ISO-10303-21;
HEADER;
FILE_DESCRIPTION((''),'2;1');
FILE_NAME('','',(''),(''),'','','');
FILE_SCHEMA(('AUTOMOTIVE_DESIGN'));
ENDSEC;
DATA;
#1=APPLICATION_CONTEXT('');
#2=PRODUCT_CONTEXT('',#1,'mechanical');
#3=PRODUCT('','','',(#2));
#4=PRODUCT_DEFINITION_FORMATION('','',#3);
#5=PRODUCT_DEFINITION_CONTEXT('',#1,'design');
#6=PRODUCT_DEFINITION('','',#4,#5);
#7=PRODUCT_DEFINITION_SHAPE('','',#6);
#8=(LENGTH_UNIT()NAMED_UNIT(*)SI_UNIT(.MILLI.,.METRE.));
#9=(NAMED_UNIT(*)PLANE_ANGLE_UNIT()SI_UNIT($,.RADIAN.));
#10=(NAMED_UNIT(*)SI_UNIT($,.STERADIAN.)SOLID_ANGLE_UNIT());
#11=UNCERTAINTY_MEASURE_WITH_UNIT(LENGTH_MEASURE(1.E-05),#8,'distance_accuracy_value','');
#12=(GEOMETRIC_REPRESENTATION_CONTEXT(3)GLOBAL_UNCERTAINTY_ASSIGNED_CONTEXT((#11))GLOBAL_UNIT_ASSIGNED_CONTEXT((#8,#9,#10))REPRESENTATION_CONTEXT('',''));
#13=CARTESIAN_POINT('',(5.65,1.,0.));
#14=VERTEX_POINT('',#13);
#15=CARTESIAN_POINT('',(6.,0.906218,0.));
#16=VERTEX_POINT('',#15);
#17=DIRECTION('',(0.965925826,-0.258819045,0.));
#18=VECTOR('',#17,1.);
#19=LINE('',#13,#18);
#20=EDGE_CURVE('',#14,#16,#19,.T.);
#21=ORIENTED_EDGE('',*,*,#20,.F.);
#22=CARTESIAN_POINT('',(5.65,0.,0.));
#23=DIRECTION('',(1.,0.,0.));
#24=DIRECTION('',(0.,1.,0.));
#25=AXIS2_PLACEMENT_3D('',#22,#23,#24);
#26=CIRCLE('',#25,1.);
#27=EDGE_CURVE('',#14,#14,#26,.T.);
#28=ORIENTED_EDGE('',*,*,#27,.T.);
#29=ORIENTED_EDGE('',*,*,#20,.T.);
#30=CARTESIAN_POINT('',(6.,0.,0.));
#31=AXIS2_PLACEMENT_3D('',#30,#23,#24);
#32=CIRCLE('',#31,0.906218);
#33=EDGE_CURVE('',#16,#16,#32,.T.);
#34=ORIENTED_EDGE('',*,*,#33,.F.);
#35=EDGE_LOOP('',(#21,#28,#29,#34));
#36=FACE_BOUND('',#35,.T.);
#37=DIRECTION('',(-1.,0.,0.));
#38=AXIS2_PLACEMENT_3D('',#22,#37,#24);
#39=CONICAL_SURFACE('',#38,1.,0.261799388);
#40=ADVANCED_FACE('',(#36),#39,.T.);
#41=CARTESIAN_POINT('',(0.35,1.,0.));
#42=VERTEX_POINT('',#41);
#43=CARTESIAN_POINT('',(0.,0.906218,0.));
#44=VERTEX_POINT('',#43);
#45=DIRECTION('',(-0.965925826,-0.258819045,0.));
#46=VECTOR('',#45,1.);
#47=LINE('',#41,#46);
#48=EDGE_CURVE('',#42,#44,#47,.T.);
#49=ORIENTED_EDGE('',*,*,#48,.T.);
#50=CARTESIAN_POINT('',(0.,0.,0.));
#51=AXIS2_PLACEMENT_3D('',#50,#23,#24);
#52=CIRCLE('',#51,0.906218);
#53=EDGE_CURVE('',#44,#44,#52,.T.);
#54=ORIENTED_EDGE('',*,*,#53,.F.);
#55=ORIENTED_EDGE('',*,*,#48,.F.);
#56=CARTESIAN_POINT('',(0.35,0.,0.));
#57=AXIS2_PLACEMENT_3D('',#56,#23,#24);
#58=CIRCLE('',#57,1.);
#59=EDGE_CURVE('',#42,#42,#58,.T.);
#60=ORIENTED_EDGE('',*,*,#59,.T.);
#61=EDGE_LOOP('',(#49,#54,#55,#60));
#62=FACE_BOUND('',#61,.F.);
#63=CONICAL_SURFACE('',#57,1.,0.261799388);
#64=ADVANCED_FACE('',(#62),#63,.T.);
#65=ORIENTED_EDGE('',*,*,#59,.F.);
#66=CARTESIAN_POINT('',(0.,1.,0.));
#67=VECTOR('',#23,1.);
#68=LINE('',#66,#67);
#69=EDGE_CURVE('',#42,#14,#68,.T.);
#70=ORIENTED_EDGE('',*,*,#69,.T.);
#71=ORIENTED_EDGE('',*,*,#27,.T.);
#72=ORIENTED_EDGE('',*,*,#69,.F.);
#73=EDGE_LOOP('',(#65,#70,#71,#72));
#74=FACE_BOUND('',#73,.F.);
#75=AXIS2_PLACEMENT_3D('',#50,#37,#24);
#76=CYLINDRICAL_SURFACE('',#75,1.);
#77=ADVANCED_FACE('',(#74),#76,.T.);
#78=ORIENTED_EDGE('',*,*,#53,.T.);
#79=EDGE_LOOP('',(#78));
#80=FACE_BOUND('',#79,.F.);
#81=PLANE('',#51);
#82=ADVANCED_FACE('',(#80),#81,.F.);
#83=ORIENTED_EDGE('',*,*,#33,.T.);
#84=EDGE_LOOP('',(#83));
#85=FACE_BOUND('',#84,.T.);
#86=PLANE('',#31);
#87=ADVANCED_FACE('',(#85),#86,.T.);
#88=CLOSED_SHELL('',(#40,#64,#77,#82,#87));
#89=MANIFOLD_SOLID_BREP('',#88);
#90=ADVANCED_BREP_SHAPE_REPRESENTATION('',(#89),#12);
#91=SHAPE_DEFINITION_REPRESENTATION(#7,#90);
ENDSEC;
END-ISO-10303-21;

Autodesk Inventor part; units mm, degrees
ref_plane "YZ Plane" through (0, 0, 0) normal (1, 0, 0) x (0, 1, 0)
ref_plane "XZ Plane" through (0, 0, 0) normal (0, 1, 0) x (-1, 0, 0)
ref_plane "XY Plane" through (0, 0, 0) normal (0, 0, 1) x (1, 0, 0)
sketch "Skizze" plane through (0, 0, 0) normal (1, 0, 0) x (0, 1, 0)
  circle A0 centre (0, 0) radius 1
  dimension "d1" = 2
extrude "Körper" add sketch "Skizze" along normal blind 6
chamfer "Fase1" distance 0.35 angle 15 1 edges at (0, -1, 0) measured on face at (4, 0.9871, -0.1604)
chamfer "Skizze2" distance 0.35 angle 15 1 edges at (6, -1, 0) measured on face at (4.1167, 0.9968, -0.0805)
equation "\"d1\" = NND"
equation "\"d2\" = NLG"
equation "\"d8\" = PHH"
equation "\"d9\" = FAWI"
equation "\"d12\" = PHH"
equation "\"d4\" = PHH"
equation "\"d5\" = FAWI"
equation "\"d11\" = PHH"
equation "\"NND\" = 2"
equation "\"NLG\" = 6"
equation "\"PHH\" = 0.35"
equation "\"FAWI\" = 15deg"
equation "\"KAH\" = 0"
properties part number "ISO 2338 - 2 m6 x 6" material "Edelstahl, austenitisch"
